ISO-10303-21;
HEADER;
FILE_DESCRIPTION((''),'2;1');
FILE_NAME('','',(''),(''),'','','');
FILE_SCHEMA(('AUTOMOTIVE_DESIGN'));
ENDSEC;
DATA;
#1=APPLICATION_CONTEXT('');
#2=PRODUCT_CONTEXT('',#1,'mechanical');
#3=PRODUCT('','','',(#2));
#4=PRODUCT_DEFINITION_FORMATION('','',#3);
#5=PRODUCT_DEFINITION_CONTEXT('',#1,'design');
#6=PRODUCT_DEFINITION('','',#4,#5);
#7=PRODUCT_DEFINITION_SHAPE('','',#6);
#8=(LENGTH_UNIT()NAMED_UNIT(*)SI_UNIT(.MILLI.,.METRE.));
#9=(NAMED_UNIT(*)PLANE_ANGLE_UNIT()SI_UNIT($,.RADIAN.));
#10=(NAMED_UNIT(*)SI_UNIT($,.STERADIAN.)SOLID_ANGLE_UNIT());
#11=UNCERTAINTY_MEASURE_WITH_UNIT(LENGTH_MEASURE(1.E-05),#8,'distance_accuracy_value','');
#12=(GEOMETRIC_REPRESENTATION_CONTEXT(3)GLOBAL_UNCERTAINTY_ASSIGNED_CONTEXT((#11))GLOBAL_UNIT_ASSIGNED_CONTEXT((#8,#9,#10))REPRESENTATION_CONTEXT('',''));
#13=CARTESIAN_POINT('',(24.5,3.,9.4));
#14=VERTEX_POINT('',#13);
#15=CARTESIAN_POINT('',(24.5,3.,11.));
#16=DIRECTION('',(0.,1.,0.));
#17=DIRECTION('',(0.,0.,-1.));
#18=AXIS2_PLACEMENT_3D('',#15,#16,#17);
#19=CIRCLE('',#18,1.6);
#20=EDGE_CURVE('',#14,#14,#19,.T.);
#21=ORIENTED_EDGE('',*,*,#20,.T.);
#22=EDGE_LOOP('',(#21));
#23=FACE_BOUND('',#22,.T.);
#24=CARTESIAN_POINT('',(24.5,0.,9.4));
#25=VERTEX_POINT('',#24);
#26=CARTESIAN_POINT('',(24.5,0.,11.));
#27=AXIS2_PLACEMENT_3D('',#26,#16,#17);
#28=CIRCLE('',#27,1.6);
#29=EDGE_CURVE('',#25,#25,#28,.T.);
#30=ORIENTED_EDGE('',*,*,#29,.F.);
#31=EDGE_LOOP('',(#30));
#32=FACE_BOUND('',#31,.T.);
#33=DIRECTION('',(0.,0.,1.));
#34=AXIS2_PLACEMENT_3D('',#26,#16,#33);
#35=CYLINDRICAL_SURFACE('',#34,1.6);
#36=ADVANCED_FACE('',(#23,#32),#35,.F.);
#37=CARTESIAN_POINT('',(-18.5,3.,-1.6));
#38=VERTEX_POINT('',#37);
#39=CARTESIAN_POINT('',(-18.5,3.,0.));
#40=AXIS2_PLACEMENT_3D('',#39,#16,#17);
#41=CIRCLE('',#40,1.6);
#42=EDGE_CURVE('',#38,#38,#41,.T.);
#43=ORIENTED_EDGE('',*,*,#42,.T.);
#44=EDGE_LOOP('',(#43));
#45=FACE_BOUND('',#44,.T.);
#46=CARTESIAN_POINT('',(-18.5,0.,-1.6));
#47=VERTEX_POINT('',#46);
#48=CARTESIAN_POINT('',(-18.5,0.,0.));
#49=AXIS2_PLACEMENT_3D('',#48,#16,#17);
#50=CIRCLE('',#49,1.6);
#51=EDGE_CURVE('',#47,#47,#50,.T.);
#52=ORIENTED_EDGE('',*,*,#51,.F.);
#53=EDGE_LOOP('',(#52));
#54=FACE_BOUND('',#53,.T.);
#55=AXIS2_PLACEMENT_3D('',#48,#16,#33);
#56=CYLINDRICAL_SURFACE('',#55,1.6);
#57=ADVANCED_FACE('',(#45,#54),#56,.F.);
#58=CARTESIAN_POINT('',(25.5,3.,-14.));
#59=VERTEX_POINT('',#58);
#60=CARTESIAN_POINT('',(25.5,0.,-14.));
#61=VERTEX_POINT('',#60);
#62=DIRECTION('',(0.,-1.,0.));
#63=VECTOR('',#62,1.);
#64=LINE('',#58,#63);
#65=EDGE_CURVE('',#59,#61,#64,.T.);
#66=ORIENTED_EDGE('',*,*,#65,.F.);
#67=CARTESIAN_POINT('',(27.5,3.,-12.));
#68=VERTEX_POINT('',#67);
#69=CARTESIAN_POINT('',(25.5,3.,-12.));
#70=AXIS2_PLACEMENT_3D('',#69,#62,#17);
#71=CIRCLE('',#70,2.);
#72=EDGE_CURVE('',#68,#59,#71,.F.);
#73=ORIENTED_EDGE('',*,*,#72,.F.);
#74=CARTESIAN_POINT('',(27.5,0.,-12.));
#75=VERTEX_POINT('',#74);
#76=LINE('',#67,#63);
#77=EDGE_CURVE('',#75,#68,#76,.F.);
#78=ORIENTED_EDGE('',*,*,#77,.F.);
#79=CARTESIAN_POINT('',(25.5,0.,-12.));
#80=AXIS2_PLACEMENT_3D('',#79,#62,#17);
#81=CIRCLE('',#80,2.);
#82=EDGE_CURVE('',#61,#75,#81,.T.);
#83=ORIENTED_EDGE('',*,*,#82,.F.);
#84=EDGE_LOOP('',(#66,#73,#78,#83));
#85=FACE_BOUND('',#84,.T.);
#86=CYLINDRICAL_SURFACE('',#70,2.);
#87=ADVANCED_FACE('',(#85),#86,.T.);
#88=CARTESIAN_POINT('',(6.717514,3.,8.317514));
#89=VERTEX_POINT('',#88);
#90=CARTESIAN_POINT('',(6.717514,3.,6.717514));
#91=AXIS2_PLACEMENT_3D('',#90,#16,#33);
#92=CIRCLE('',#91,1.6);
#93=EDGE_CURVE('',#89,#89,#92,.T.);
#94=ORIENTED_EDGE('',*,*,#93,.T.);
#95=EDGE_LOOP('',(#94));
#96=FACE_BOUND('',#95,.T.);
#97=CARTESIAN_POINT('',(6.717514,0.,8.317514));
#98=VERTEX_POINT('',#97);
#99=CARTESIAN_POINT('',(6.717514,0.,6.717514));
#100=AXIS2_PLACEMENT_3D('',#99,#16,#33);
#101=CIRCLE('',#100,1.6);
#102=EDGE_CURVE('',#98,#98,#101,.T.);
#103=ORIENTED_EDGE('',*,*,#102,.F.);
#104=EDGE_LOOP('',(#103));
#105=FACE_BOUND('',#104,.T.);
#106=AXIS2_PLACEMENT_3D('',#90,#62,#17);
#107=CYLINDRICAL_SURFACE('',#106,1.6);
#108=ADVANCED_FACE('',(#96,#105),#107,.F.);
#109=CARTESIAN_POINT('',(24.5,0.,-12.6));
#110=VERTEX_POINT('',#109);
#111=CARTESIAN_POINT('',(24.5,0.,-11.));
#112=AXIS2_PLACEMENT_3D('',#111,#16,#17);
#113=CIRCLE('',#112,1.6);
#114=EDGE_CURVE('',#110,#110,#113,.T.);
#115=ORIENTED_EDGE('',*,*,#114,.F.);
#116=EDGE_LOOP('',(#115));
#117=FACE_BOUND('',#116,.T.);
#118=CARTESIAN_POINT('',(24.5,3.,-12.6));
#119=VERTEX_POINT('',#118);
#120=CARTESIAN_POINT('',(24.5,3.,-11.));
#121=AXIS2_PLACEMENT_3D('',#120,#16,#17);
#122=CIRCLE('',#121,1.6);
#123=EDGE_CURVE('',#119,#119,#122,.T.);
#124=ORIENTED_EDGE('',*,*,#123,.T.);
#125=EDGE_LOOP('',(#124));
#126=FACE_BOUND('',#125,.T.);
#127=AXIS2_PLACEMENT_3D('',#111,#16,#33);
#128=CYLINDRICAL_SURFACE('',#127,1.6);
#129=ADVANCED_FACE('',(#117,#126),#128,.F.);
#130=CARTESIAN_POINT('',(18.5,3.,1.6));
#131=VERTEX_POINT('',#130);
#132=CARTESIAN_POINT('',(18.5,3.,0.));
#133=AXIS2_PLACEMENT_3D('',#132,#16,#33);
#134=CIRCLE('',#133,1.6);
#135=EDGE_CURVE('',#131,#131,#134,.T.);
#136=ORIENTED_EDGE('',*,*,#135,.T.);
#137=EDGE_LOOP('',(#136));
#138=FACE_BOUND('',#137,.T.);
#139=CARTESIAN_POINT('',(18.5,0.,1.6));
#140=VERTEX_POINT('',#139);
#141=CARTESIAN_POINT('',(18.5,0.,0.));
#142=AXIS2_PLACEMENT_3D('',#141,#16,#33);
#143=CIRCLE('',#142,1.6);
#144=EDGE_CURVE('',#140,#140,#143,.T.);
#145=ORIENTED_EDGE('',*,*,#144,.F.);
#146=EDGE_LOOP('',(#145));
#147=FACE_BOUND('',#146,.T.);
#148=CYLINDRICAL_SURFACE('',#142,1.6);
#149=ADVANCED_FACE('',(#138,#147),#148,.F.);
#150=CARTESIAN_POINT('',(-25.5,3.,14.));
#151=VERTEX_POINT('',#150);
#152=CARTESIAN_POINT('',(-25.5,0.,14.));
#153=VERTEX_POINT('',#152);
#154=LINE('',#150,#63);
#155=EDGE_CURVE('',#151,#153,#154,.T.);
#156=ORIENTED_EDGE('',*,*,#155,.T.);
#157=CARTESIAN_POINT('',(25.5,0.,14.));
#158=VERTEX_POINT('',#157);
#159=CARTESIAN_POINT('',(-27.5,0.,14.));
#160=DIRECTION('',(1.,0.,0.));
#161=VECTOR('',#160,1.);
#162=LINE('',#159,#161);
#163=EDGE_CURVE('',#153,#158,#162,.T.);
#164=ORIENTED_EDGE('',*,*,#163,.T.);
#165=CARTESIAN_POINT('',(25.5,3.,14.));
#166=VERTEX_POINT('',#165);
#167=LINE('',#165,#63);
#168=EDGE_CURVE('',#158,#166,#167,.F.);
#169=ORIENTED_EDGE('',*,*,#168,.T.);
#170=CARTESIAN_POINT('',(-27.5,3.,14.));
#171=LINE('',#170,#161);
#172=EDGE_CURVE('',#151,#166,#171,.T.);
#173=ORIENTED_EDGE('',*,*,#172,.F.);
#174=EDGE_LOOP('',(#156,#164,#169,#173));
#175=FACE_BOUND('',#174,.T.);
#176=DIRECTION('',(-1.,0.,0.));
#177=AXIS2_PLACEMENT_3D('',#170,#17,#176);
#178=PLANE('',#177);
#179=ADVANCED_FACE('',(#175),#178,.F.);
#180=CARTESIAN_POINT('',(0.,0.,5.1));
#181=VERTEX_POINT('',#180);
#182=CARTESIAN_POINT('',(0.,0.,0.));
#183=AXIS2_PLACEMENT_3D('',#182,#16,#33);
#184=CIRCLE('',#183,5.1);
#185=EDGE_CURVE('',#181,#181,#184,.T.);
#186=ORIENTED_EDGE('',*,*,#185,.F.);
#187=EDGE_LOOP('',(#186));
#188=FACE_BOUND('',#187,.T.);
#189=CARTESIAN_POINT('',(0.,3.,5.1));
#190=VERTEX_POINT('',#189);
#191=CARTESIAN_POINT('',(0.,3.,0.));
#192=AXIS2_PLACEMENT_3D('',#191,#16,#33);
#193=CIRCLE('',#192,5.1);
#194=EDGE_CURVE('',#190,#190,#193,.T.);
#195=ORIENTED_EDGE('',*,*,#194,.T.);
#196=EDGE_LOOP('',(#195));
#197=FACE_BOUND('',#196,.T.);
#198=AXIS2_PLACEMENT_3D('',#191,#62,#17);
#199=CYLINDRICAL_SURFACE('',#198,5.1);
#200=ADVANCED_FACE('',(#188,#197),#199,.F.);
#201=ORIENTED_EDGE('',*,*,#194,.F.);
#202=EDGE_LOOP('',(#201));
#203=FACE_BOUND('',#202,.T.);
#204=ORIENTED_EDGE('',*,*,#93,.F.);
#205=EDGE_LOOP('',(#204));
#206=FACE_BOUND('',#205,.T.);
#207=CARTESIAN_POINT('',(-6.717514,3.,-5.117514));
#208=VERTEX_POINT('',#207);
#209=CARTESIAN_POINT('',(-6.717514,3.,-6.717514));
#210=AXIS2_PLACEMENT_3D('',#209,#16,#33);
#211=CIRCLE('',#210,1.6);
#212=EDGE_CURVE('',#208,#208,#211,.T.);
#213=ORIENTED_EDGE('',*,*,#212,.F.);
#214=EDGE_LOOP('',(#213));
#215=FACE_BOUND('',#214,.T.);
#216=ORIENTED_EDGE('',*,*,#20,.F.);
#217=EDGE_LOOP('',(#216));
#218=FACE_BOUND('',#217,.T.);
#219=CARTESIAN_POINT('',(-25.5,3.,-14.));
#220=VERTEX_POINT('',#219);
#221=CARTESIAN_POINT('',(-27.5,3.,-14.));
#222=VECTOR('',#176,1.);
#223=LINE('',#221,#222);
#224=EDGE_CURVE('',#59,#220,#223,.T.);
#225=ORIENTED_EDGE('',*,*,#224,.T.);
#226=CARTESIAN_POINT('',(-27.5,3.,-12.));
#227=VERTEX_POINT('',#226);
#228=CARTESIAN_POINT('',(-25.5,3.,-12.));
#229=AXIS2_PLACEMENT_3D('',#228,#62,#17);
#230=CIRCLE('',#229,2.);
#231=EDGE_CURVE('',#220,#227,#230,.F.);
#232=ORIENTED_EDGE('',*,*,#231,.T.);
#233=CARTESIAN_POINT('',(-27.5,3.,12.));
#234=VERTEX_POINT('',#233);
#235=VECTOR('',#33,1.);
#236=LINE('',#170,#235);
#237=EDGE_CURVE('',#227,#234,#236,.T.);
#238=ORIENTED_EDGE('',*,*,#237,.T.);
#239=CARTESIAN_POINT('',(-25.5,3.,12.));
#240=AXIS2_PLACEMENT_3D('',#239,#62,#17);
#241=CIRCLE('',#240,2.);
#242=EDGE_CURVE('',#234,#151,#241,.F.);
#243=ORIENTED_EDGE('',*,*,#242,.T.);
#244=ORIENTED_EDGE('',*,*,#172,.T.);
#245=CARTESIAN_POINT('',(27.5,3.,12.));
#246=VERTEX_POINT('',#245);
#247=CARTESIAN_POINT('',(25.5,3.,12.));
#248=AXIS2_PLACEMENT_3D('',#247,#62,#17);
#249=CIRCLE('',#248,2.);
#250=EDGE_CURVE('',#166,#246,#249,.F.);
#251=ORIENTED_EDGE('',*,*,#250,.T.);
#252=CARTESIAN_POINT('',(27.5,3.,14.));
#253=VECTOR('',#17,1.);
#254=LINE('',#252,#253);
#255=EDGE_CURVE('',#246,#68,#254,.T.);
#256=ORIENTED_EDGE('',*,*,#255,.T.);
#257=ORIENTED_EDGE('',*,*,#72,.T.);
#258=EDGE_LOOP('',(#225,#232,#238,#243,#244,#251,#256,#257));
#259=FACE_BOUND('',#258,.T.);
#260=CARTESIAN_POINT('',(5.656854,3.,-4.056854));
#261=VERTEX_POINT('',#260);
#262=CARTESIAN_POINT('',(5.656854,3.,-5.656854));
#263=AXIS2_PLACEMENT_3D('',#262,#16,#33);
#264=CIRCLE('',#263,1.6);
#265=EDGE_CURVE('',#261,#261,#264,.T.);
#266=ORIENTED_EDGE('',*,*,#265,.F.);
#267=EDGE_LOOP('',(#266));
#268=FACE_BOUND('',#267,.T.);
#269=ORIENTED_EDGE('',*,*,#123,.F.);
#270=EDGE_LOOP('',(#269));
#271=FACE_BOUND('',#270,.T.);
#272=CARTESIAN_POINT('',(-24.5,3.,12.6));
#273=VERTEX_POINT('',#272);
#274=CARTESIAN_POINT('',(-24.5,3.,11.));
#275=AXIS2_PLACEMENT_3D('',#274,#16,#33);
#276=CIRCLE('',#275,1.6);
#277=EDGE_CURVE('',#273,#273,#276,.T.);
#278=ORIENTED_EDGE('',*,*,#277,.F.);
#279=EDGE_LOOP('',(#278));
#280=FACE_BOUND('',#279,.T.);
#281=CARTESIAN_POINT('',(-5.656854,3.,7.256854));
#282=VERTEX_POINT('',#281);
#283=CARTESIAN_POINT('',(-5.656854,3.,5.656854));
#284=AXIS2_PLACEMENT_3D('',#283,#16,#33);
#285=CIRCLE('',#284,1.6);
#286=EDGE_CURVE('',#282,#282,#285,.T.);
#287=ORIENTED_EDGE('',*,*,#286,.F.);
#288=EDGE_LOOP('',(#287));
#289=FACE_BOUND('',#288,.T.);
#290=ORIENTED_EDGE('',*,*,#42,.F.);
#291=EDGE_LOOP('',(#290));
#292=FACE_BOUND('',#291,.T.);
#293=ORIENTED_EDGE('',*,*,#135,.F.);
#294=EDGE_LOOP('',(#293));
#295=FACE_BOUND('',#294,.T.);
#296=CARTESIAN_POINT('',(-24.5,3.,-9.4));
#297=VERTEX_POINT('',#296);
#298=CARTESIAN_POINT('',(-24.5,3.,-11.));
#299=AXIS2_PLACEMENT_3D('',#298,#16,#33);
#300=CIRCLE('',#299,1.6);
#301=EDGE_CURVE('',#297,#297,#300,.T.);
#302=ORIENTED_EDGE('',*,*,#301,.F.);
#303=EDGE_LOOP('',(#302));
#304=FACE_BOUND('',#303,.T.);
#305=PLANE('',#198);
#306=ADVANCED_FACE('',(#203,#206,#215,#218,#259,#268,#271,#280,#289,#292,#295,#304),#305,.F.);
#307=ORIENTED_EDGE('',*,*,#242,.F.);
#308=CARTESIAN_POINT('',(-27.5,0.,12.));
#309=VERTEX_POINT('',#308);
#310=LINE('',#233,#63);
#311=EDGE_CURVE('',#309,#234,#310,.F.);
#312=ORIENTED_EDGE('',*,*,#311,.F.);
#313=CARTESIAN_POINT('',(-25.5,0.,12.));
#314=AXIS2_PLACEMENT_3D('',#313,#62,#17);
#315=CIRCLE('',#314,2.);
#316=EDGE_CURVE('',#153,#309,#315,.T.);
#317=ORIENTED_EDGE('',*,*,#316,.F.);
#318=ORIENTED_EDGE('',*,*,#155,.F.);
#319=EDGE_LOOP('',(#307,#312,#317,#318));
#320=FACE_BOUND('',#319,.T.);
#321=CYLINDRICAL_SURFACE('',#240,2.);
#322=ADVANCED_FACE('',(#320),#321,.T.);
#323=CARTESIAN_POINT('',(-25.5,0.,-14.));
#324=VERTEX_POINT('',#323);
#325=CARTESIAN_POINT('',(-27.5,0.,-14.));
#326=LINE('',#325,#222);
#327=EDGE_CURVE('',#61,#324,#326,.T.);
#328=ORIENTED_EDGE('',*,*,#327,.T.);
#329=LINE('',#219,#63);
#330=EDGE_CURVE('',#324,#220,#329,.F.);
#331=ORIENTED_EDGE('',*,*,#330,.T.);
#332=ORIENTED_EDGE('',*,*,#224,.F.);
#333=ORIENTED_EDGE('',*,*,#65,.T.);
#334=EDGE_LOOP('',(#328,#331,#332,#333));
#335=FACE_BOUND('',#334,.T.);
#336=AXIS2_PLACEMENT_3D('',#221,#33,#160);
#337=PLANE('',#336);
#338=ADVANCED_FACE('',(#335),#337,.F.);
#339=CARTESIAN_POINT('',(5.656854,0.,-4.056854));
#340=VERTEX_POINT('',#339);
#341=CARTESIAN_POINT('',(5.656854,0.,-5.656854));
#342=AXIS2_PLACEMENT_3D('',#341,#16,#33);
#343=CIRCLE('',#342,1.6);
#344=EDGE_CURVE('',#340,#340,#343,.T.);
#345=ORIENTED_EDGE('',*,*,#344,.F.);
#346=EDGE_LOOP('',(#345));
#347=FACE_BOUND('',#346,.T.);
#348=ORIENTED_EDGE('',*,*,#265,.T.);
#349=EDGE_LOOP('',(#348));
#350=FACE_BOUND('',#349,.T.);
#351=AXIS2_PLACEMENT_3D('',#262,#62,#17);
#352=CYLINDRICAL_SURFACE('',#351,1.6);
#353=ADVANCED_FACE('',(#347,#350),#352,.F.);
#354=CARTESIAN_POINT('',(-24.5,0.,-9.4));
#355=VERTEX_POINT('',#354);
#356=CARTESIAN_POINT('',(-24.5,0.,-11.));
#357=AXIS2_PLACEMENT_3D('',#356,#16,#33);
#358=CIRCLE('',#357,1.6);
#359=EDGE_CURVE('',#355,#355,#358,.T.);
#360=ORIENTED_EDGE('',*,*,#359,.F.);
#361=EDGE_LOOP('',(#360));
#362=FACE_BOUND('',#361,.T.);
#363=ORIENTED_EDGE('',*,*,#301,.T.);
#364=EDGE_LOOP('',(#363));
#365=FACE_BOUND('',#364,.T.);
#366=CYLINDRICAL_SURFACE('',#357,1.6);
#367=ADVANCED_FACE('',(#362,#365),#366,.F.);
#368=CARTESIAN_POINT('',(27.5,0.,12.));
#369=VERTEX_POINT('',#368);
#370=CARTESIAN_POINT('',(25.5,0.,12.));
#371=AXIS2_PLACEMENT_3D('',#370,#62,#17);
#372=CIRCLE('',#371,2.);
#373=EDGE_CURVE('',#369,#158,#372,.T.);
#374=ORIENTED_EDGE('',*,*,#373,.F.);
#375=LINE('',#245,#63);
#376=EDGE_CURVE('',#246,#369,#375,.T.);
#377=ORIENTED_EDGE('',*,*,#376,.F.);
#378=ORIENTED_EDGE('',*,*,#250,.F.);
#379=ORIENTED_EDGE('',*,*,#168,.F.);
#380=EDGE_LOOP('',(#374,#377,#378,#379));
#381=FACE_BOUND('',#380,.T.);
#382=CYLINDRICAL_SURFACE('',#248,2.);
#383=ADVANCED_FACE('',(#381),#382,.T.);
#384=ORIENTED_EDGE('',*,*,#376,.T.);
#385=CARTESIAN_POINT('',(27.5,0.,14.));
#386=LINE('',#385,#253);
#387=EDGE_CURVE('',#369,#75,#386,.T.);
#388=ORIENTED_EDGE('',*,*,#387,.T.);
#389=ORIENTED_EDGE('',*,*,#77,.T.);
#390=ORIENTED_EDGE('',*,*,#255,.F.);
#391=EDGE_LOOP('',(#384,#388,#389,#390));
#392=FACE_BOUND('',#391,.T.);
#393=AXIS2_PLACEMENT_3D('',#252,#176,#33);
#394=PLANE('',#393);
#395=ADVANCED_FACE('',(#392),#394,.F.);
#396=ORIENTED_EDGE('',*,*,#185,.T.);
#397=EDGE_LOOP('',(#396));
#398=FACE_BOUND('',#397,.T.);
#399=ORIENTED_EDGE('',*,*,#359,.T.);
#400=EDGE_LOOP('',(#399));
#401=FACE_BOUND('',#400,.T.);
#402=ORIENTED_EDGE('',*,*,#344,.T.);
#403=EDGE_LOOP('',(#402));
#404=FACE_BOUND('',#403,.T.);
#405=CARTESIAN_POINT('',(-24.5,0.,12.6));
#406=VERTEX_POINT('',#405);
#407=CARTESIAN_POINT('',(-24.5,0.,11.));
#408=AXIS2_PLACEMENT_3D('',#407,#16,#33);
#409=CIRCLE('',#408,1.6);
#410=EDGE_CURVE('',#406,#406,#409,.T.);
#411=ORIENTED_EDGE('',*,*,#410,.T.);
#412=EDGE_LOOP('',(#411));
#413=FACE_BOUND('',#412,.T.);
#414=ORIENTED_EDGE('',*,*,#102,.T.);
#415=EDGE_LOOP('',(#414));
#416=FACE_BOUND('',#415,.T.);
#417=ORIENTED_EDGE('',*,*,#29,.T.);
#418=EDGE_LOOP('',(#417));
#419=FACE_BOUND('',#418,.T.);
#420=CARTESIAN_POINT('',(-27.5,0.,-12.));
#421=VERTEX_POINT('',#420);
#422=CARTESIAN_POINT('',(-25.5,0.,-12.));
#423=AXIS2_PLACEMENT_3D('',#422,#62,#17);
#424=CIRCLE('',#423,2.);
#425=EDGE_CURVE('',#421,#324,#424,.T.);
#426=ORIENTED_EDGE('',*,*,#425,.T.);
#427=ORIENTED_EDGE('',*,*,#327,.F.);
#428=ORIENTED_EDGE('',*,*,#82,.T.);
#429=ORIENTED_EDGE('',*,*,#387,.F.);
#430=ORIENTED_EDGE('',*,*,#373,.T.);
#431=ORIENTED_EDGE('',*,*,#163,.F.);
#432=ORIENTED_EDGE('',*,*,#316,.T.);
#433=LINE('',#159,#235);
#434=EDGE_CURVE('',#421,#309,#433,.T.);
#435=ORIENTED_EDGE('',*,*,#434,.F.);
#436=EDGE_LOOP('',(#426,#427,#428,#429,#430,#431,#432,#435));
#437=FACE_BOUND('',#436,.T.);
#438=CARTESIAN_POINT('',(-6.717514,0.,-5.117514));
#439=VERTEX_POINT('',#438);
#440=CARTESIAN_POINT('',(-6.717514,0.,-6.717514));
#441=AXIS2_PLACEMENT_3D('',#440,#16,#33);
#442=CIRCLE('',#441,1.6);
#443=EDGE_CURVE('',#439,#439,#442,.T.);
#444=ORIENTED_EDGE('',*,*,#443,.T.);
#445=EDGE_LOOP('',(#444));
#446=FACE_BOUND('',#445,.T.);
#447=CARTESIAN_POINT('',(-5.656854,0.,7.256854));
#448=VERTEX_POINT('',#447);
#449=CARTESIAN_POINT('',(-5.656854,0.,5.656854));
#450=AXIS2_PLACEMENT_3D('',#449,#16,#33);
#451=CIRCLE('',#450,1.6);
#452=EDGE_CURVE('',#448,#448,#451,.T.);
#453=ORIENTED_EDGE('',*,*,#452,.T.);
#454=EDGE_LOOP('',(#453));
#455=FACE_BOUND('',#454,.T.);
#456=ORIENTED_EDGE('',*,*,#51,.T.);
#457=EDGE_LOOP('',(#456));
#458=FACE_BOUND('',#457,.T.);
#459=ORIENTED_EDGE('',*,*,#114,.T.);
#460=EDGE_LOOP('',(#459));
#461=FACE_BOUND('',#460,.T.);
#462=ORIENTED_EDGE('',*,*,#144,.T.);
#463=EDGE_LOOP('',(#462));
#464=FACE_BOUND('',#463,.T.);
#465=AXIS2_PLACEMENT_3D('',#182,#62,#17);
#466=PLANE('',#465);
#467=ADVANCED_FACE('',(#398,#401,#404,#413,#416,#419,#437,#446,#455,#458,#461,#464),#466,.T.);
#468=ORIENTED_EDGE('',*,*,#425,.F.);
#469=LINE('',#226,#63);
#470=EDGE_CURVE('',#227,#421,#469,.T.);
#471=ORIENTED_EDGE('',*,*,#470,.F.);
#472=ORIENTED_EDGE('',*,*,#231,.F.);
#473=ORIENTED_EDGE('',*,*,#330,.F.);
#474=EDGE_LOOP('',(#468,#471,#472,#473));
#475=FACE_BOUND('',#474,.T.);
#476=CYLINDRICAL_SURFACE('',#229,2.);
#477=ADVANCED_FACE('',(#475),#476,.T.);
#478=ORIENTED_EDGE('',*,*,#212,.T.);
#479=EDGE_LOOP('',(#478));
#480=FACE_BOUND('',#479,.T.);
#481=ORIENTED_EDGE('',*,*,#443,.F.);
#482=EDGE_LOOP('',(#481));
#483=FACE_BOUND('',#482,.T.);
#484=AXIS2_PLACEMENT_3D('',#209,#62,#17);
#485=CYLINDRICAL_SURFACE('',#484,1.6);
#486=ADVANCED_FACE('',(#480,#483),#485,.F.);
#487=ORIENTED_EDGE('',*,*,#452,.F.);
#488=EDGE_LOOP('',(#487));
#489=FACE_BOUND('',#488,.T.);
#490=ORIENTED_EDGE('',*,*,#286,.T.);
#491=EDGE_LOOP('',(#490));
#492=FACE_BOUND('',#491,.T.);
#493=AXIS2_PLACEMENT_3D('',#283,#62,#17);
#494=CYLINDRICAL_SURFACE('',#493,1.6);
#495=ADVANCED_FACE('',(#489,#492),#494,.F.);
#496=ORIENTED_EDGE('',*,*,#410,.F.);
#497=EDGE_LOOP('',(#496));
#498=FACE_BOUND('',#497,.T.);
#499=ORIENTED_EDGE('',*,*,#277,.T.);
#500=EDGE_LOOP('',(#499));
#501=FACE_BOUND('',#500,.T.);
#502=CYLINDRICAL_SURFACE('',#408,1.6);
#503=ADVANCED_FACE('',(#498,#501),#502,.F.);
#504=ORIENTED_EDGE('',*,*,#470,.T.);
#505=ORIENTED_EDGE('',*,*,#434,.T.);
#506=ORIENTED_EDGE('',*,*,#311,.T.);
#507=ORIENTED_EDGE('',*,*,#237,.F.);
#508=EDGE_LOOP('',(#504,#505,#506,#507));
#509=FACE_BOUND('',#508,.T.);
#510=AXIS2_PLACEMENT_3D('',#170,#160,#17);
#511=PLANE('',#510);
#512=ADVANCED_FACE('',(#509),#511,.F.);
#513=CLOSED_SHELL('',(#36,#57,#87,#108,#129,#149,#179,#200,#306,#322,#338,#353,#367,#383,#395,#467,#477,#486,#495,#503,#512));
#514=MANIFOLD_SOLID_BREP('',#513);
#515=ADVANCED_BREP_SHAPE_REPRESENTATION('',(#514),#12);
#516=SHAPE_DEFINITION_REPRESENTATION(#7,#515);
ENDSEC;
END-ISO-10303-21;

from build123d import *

# Parameters (mm, degrees)
SKETCH_1_W          = 55
SKETCH_1_H          = 28
SKETCH_1_R          = 5.1
SKETCH_1_R_2        = 1.6
EXTRUDE_1_DEPTH     = 3
SKETCH_2_R          = 1.6
CUT_EXTRUDE_1_DEPTH = 32.004031996
FILLET_1_R          = 2


with BuildPart() as part:
    # 草图1 → 凸台-拉伸1 (new body)
    with BuildSketch(Plane(origin=(0, 0, 0), x_dir=(1, 0, 0), z_dir=(0, 1, 0))):
        Rectangle(SKETCH_1_W, SKETCH_1_H)
        with Locations(Location((0, 0, 0), (0, 0, 270))):
            Circle(SKETCH_1_R, mode=Mode.SUBTRACT)
        with Locations(Location((5.656854249, 5.656854249, 0), (0, 0, 270))):
            Circle(SKETCH_1_R_2, mode=Mode.SUBTRACT)
        with Locations(Location((-5.656854249, -5.656854249, 0), (0, 0, 270))):
            Circle(SKETCH_1_R_2, mode=Mode.SUBTRACT)
        with Locations(Location((6.717514421, -6.717514421, 0), (0, 0, 270))):
            Circle(SKETCH_1_R_2, mode=Mode.SUBTRACT)
        with Locations(Location((-6.717514421, 6.717514421, 0), (0, 0, 270))):
            Circle(SKETCH_1_R_2, mode=Mode.SUBTRACT)
    extrude(amount=EXTRUDE_1_DEPTH)

    # 草图2 → 切除-拉伸1 (cut, through all)
    with BuildSketch(Plane(origin=(0, 3, 0), x_dir=(1, 0, 0), z_dir=(0, 1, 0))):
        with Locations(Location((-24.5, 11, 0), (0, 0, 270))):
            Circle(SKETCH_2_R)
        with Locations(Location((-24.5, -11, 0), (0, 0, 270))):
            Circle(SKETCH_2_R)
        with Locations(Location((24.5, 11, 0), (0, 0, 90))):
            Circle(SKETCH_2_R)
        with Locations(Location((24.5, -11, 0), (0, 0, 90))):
            Circle(SKETCH_2_R)
        with Locations((422.703102168, 0)):
            Circle(SKETCH_2_R)
        with Locations(Location((18.5, 0, 0), (0, 0, 270))):
            Circle(SKETCH_2_R)
        with Locations(Location((-18.5, 0, 0), (0, 0, 90))):
            Circle(SKETCH_2_R)
    extrude(amount=-CUT_EXTRUDE_1_DEPTH, mode=Mode.SUBTRACT)

    # 圆角1
    fillet_1_edges = [part.edges().sort_by_distance(p)[0] for p in [
        (27.5, 1.5, 14),
        (-27.5, 1.5, 14),
        (-27.5, 1.5, -14),
        (27.5, 1.5, -14),
    ]]
    fillet(fillet_1_edges, radius=FILLET_1_R)


solid = part.part
